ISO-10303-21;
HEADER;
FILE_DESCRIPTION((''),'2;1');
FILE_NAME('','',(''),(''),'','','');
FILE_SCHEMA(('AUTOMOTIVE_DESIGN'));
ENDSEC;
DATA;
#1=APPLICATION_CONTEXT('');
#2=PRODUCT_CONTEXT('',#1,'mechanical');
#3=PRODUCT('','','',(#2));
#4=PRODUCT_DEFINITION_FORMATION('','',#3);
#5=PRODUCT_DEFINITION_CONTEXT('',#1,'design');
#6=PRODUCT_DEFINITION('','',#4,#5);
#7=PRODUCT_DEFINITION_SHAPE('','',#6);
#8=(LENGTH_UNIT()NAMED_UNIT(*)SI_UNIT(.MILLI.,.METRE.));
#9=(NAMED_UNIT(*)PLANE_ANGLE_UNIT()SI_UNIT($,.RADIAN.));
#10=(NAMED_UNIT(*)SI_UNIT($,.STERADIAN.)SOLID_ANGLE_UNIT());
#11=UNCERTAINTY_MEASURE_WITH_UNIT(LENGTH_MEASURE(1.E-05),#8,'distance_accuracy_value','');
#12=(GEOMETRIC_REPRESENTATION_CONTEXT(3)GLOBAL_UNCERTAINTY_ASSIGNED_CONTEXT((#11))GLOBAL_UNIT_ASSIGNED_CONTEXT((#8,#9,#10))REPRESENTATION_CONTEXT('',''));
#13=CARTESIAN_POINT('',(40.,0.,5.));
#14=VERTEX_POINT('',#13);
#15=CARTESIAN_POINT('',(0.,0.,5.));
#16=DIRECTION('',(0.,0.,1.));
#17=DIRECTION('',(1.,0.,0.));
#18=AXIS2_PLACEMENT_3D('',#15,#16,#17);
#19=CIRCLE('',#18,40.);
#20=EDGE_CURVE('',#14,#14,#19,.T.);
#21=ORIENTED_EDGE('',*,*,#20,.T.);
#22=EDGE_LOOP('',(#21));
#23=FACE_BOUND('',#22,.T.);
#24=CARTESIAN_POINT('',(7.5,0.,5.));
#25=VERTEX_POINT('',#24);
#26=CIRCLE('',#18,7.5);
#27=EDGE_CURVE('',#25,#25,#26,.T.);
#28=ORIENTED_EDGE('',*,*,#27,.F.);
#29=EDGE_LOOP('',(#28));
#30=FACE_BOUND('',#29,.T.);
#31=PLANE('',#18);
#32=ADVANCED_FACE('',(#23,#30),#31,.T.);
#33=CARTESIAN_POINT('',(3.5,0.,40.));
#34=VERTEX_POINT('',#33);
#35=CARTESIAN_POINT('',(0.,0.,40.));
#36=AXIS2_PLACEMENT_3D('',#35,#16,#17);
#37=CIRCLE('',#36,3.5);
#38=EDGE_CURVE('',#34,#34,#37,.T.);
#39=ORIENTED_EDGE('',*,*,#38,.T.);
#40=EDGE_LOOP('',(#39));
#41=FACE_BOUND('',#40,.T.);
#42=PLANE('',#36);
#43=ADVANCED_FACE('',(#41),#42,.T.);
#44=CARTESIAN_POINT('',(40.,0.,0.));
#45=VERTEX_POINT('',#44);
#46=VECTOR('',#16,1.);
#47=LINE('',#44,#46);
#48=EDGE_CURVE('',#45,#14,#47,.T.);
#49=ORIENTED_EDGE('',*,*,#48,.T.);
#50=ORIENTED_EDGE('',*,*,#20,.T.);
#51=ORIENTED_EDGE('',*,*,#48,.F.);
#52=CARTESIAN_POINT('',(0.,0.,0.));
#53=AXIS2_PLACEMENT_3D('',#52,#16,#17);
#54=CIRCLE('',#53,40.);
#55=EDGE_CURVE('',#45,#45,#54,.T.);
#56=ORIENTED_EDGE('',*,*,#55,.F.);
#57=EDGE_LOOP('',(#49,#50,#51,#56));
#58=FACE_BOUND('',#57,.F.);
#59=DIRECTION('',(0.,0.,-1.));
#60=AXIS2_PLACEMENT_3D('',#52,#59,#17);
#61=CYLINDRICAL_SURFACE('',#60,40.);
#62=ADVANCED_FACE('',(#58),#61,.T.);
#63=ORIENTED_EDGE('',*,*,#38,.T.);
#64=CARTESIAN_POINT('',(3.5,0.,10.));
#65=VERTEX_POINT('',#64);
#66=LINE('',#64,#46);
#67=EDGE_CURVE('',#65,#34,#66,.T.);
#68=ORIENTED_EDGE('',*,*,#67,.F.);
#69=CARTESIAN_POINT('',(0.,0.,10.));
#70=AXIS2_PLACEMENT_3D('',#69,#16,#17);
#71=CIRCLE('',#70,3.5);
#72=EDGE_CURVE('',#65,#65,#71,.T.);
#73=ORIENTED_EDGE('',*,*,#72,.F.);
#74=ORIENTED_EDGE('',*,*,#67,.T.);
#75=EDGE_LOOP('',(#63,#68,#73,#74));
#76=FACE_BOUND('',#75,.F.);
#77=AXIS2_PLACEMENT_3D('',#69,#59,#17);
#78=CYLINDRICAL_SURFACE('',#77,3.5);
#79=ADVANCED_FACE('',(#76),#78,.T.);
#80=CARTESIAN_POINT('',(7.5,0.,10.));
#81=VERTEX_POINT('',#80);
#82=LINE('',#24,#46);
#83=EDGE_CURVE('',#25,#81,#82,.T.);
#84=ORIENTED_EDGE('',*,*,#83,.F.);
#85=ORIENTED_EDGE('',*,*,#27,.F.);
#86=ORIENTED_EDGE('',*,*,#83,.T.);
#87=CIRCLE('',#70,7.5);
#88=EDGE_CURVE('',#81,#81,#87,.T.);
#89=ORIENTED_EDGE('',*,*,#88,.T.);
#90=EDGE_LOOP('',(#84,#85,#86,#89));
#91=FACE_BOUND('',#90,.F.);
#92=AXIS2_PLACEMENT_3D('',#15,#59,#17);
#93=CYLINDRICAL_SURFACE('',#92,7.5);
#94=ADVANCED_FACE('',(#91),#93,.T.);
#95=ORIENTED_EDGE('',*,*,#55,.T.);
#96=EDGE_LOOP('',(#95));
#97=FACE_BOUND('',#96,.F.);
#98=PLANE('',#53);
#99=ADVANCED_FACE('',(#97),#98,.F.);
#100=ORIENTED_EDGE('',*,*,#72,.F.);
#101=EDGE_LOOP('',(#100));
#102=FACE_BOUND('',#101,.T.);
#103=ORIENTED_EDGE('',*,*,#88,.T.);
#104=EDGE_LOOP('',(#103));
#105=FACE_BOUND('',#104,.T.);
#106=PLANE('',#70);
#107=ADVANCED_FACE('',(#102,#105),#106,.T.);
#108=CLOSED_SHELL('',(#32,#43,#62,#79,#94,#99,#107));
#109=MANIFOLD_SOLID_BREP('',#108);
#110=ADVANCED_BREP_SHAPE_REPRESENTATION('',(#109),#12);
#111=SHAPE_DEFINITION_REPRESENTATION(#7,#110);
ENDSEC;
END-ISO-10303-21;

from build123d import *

# Parameters (mm, degrees)
CYLINDER002_R     = 3.5
CYLINDER002_DEPTH = 30
CYLINDER001_R     = 7.5
CYLINDER001_DEPTH = 5
CYLINDER_R        = 40
CYLINDER_DEPTH    = 5


with BuildPart() as cilindro:
    # Cylinder002 → Cylinder002 (new body)
    with BuildSketch(Plane.XY.offset(10)):
        Circle(CYLINDER002_R)
    extrude(amount=CYLINDER002_DEPTH)


with BuildPart() as soporte_inicial:
    # Cylinder001 → Cylinder001 (new body)
    with BuildSketch(Plane.XY.offset(5)):
        Circle(CYLINDER001_R)
    extrude(amount=CYLINDER001_DEPTH)


with BuildPart() as fusion001:
    # Cylinder → Cylinder (new body)
    with BuildSketch(Plane.XY):
        Circle(CYLINDER_R)
    extrude(amount=CYLINDER_DEPTH)

    # Fusion: union Soporte inicial
    add(soporte_inicial.part)

    # Fusion001: union Cilindro
    add(cilindro.part)


solid = fusion001.part
